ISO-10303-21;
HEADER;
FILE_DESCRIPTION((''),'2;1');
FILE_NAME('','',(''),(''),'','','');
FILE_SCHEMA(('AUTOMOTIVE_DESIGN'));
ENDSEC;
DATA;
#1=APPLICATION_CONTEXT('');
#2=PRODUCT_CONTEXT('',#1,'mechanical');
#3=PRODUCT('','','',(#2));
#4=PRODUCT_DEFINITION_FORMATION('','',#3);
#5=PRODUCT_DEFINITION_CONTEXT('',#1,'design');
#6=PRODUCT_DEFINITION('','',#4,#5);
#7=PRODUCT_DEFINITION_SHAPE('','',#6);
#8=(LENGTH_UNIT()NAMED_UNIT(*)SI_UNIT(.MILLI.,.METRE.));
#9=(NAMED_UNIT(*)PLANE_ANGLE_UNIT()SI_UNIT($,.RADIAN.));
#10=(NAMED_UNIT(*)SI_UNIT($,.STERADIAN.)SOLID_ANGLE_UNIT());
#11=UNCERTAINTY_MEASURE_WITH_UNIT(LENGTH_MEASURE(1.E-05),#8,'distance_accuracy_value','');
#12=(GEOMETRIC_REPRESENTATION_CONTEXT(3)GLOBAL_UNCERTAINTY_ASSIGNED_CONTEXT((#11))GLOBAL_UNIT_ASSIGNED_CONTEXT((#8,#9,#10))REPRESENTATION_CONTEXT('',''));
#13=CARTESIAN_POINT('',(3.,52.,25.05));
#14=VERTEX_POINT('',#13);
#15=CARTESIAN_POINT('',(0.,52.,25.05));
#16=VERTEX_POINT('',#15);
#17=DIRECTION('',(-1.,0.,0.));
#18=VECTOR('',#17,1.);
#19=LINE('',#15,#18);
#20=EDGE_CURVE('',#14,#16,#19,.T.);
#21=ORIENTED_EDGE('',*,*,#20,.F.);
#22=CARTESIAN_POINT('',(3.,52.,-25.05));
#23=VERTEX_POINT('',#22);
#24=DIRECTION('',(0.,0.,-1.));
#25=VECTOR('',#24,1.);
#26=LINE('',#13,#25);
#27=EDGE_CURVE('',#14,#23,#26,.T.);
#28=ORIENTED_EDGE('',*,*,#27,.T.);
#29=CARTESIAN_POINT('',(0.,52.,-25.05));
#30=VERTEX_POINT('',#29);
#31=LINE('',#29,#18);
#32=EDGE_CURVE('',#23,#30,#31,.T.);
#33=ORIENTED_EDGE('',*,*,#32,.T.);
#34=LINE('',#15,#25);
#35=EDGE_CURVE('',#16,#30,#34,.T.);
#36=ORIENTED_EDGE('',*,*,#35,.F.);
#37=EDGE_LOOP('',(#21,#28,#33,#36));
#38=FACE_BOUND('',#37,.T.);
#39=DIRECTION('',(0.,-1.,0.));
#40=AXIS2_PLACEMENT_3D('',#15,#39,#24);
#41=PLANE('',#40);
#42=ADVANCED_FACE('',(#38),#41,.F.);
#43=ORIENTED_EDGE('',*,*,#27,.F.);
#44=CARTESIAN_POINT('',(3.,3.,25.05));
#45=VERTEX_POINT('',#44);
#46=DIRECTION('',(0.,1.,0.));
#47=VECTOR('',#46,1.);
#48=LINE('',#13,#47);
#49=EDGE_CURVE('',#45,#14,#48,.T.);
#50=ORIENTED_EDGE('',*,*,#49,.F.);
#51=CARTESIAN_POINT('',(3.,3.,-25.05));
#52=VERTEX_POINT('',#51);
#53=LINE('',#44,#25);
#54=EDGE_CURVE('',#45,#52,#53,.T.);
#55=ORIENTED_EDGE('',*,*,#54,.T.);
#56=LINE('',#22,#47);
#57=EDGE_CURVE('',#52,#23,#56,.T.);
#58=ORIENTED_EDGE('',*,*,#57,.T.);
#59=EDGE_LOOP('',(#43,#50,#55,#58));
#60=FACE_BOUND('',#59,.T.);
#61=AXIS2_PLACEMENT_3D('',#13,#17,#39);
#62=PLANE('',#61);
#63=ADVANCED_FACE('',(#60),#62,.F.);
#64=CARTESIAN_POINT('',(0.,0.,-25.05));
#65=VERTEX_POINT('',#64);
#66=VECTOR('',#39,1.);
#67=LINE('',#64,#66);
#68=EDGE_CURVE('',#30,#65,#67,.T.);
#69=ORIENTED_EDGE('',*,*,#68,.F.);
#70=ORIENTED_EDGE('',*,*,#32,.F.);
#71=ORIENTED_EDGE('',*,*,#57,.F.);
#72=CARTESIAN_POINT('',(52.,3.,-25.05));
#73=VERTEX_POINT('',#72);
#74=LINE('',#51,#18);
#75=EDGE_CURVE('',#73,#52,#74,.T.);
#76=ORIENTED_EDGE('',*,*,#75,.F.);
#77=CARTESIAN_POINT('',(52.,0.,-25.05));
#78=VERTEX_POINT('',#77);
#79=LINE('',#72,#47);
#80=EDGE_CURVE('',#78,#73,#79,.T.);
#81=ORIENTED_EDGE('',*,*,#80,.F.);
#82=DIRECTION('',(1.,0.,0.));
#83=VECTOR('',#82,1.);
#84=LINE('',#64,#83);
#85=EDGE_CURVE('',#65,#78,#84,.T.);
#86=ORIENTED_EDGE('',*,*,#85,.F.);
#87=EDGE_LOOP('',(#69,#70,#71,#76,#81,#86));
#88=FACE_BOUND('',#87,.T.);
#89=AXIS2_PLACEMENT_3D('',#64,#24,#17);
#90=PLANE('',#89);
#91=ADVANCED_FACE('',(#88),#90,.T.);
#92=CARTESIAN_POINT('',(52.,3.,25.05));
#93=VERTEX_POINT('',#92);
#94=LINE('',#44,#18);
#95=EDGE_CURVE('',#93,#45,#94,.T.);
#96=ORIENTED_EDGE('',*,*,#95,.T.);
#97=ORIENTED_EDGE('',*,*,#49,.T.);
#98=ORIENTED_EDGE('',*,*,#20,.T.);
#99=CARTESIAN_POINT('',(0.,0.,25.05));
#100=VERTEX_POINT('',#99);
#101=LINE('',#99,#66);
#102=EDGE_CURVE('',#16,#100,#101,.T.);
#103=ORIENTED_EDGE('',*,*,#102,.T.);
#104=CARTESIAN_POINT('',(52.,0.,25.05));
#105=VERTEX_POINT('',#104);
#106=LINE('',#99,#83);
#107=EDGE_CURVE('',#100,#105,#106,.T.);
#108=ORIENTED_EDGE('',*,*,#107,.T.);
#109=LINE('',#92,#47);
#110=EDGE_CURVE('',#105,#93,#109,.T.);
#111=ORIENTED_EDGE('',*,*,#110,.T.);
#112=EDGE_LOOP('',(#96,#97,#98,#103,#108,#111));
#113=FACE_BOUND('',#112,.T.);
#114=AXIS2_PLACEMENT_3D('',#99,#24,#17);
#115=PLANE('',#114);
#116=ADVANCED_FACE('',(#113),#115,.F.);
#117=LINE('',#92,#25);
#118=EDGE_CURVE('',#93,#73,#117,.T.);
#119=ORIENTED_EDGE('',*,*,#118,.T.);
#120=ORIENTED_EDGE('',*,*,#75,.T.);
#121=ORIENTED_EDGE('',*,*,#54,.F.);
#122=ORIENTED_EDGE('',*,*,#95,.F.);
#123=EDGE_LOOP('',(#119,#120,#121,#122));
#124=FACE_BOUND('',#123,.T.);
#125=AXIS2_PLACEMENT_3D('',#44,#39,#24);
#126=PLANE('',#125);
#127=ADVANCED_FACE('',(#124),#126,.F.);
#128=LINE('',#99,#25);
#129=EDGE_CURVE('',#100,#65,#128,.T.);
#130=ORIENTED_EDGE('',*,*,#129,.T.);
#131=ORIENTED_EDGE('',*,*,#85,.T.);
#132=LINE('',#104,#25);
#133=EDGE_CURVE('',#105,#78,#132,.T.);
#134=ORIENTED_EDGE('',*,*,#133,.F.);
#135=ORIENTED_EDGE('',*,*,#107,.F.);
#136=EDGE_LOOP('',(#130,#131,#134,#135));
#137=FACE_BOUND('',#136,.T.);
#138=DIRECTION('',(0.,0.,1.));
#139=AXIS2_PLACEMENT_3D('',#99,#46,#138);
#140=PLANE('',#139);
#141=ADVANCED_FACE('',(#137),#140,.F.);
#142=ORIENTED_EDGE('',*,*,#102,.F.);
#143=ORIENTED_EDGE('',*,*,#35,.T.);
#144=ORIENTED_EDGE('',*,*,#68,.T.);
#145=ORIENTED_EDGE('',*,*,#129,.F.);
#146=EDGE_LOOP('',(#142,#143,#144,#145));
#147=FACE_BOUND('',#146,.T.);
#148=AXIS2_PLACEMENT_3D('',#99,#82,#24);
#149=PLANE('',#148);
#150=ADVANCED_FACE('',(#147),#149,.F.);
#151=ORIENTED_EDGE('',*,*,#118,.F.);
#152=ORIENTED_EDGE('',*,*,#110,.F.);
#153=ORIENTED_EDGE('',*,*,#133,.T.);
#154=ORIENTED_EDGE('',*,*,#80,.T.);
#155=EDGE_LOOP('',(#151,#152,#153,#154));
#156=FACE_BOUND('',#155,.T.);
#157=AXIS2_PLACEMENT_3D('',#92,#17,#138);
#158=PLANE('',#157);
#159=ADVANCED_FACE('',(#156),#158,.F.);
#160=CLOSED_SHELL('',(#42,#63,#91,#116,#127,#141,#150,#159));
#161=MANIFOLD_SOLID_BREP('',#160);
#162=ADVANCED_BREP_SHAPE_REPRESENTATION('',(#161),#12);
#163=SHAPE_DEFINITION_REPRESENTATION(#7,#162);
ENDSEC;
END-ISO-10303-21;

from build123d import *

# Parameters (mm, degrees)
BOSS_EXTRUDE1_DEPTH = 25.05


with BuildPart() as part:
    # Sketch1 → Boss-Extrude1 (new, symmetric)
    with BuildSketch(Plane.XY):
        Polygon((0, 0), (0, 52), (3, 52), (3, 3), (52, 3), (52, 0), align=None)
    boss_extrude1 = extrude(amount=BOSS_EXTRUDE1_DEPTH, both=True)


with BuildPart() as mirror1_1:
    # Mirror1: Boss-Extrude1 across plane
    add(boss_extrude1.mirror(Plane.XY))


with BuildPart() as part_1:
    add(part.part)

    # Mirror1 united with what the copies touc: union Mirror1_1
    add(mirror1_1.part)


solid = part_1.part
